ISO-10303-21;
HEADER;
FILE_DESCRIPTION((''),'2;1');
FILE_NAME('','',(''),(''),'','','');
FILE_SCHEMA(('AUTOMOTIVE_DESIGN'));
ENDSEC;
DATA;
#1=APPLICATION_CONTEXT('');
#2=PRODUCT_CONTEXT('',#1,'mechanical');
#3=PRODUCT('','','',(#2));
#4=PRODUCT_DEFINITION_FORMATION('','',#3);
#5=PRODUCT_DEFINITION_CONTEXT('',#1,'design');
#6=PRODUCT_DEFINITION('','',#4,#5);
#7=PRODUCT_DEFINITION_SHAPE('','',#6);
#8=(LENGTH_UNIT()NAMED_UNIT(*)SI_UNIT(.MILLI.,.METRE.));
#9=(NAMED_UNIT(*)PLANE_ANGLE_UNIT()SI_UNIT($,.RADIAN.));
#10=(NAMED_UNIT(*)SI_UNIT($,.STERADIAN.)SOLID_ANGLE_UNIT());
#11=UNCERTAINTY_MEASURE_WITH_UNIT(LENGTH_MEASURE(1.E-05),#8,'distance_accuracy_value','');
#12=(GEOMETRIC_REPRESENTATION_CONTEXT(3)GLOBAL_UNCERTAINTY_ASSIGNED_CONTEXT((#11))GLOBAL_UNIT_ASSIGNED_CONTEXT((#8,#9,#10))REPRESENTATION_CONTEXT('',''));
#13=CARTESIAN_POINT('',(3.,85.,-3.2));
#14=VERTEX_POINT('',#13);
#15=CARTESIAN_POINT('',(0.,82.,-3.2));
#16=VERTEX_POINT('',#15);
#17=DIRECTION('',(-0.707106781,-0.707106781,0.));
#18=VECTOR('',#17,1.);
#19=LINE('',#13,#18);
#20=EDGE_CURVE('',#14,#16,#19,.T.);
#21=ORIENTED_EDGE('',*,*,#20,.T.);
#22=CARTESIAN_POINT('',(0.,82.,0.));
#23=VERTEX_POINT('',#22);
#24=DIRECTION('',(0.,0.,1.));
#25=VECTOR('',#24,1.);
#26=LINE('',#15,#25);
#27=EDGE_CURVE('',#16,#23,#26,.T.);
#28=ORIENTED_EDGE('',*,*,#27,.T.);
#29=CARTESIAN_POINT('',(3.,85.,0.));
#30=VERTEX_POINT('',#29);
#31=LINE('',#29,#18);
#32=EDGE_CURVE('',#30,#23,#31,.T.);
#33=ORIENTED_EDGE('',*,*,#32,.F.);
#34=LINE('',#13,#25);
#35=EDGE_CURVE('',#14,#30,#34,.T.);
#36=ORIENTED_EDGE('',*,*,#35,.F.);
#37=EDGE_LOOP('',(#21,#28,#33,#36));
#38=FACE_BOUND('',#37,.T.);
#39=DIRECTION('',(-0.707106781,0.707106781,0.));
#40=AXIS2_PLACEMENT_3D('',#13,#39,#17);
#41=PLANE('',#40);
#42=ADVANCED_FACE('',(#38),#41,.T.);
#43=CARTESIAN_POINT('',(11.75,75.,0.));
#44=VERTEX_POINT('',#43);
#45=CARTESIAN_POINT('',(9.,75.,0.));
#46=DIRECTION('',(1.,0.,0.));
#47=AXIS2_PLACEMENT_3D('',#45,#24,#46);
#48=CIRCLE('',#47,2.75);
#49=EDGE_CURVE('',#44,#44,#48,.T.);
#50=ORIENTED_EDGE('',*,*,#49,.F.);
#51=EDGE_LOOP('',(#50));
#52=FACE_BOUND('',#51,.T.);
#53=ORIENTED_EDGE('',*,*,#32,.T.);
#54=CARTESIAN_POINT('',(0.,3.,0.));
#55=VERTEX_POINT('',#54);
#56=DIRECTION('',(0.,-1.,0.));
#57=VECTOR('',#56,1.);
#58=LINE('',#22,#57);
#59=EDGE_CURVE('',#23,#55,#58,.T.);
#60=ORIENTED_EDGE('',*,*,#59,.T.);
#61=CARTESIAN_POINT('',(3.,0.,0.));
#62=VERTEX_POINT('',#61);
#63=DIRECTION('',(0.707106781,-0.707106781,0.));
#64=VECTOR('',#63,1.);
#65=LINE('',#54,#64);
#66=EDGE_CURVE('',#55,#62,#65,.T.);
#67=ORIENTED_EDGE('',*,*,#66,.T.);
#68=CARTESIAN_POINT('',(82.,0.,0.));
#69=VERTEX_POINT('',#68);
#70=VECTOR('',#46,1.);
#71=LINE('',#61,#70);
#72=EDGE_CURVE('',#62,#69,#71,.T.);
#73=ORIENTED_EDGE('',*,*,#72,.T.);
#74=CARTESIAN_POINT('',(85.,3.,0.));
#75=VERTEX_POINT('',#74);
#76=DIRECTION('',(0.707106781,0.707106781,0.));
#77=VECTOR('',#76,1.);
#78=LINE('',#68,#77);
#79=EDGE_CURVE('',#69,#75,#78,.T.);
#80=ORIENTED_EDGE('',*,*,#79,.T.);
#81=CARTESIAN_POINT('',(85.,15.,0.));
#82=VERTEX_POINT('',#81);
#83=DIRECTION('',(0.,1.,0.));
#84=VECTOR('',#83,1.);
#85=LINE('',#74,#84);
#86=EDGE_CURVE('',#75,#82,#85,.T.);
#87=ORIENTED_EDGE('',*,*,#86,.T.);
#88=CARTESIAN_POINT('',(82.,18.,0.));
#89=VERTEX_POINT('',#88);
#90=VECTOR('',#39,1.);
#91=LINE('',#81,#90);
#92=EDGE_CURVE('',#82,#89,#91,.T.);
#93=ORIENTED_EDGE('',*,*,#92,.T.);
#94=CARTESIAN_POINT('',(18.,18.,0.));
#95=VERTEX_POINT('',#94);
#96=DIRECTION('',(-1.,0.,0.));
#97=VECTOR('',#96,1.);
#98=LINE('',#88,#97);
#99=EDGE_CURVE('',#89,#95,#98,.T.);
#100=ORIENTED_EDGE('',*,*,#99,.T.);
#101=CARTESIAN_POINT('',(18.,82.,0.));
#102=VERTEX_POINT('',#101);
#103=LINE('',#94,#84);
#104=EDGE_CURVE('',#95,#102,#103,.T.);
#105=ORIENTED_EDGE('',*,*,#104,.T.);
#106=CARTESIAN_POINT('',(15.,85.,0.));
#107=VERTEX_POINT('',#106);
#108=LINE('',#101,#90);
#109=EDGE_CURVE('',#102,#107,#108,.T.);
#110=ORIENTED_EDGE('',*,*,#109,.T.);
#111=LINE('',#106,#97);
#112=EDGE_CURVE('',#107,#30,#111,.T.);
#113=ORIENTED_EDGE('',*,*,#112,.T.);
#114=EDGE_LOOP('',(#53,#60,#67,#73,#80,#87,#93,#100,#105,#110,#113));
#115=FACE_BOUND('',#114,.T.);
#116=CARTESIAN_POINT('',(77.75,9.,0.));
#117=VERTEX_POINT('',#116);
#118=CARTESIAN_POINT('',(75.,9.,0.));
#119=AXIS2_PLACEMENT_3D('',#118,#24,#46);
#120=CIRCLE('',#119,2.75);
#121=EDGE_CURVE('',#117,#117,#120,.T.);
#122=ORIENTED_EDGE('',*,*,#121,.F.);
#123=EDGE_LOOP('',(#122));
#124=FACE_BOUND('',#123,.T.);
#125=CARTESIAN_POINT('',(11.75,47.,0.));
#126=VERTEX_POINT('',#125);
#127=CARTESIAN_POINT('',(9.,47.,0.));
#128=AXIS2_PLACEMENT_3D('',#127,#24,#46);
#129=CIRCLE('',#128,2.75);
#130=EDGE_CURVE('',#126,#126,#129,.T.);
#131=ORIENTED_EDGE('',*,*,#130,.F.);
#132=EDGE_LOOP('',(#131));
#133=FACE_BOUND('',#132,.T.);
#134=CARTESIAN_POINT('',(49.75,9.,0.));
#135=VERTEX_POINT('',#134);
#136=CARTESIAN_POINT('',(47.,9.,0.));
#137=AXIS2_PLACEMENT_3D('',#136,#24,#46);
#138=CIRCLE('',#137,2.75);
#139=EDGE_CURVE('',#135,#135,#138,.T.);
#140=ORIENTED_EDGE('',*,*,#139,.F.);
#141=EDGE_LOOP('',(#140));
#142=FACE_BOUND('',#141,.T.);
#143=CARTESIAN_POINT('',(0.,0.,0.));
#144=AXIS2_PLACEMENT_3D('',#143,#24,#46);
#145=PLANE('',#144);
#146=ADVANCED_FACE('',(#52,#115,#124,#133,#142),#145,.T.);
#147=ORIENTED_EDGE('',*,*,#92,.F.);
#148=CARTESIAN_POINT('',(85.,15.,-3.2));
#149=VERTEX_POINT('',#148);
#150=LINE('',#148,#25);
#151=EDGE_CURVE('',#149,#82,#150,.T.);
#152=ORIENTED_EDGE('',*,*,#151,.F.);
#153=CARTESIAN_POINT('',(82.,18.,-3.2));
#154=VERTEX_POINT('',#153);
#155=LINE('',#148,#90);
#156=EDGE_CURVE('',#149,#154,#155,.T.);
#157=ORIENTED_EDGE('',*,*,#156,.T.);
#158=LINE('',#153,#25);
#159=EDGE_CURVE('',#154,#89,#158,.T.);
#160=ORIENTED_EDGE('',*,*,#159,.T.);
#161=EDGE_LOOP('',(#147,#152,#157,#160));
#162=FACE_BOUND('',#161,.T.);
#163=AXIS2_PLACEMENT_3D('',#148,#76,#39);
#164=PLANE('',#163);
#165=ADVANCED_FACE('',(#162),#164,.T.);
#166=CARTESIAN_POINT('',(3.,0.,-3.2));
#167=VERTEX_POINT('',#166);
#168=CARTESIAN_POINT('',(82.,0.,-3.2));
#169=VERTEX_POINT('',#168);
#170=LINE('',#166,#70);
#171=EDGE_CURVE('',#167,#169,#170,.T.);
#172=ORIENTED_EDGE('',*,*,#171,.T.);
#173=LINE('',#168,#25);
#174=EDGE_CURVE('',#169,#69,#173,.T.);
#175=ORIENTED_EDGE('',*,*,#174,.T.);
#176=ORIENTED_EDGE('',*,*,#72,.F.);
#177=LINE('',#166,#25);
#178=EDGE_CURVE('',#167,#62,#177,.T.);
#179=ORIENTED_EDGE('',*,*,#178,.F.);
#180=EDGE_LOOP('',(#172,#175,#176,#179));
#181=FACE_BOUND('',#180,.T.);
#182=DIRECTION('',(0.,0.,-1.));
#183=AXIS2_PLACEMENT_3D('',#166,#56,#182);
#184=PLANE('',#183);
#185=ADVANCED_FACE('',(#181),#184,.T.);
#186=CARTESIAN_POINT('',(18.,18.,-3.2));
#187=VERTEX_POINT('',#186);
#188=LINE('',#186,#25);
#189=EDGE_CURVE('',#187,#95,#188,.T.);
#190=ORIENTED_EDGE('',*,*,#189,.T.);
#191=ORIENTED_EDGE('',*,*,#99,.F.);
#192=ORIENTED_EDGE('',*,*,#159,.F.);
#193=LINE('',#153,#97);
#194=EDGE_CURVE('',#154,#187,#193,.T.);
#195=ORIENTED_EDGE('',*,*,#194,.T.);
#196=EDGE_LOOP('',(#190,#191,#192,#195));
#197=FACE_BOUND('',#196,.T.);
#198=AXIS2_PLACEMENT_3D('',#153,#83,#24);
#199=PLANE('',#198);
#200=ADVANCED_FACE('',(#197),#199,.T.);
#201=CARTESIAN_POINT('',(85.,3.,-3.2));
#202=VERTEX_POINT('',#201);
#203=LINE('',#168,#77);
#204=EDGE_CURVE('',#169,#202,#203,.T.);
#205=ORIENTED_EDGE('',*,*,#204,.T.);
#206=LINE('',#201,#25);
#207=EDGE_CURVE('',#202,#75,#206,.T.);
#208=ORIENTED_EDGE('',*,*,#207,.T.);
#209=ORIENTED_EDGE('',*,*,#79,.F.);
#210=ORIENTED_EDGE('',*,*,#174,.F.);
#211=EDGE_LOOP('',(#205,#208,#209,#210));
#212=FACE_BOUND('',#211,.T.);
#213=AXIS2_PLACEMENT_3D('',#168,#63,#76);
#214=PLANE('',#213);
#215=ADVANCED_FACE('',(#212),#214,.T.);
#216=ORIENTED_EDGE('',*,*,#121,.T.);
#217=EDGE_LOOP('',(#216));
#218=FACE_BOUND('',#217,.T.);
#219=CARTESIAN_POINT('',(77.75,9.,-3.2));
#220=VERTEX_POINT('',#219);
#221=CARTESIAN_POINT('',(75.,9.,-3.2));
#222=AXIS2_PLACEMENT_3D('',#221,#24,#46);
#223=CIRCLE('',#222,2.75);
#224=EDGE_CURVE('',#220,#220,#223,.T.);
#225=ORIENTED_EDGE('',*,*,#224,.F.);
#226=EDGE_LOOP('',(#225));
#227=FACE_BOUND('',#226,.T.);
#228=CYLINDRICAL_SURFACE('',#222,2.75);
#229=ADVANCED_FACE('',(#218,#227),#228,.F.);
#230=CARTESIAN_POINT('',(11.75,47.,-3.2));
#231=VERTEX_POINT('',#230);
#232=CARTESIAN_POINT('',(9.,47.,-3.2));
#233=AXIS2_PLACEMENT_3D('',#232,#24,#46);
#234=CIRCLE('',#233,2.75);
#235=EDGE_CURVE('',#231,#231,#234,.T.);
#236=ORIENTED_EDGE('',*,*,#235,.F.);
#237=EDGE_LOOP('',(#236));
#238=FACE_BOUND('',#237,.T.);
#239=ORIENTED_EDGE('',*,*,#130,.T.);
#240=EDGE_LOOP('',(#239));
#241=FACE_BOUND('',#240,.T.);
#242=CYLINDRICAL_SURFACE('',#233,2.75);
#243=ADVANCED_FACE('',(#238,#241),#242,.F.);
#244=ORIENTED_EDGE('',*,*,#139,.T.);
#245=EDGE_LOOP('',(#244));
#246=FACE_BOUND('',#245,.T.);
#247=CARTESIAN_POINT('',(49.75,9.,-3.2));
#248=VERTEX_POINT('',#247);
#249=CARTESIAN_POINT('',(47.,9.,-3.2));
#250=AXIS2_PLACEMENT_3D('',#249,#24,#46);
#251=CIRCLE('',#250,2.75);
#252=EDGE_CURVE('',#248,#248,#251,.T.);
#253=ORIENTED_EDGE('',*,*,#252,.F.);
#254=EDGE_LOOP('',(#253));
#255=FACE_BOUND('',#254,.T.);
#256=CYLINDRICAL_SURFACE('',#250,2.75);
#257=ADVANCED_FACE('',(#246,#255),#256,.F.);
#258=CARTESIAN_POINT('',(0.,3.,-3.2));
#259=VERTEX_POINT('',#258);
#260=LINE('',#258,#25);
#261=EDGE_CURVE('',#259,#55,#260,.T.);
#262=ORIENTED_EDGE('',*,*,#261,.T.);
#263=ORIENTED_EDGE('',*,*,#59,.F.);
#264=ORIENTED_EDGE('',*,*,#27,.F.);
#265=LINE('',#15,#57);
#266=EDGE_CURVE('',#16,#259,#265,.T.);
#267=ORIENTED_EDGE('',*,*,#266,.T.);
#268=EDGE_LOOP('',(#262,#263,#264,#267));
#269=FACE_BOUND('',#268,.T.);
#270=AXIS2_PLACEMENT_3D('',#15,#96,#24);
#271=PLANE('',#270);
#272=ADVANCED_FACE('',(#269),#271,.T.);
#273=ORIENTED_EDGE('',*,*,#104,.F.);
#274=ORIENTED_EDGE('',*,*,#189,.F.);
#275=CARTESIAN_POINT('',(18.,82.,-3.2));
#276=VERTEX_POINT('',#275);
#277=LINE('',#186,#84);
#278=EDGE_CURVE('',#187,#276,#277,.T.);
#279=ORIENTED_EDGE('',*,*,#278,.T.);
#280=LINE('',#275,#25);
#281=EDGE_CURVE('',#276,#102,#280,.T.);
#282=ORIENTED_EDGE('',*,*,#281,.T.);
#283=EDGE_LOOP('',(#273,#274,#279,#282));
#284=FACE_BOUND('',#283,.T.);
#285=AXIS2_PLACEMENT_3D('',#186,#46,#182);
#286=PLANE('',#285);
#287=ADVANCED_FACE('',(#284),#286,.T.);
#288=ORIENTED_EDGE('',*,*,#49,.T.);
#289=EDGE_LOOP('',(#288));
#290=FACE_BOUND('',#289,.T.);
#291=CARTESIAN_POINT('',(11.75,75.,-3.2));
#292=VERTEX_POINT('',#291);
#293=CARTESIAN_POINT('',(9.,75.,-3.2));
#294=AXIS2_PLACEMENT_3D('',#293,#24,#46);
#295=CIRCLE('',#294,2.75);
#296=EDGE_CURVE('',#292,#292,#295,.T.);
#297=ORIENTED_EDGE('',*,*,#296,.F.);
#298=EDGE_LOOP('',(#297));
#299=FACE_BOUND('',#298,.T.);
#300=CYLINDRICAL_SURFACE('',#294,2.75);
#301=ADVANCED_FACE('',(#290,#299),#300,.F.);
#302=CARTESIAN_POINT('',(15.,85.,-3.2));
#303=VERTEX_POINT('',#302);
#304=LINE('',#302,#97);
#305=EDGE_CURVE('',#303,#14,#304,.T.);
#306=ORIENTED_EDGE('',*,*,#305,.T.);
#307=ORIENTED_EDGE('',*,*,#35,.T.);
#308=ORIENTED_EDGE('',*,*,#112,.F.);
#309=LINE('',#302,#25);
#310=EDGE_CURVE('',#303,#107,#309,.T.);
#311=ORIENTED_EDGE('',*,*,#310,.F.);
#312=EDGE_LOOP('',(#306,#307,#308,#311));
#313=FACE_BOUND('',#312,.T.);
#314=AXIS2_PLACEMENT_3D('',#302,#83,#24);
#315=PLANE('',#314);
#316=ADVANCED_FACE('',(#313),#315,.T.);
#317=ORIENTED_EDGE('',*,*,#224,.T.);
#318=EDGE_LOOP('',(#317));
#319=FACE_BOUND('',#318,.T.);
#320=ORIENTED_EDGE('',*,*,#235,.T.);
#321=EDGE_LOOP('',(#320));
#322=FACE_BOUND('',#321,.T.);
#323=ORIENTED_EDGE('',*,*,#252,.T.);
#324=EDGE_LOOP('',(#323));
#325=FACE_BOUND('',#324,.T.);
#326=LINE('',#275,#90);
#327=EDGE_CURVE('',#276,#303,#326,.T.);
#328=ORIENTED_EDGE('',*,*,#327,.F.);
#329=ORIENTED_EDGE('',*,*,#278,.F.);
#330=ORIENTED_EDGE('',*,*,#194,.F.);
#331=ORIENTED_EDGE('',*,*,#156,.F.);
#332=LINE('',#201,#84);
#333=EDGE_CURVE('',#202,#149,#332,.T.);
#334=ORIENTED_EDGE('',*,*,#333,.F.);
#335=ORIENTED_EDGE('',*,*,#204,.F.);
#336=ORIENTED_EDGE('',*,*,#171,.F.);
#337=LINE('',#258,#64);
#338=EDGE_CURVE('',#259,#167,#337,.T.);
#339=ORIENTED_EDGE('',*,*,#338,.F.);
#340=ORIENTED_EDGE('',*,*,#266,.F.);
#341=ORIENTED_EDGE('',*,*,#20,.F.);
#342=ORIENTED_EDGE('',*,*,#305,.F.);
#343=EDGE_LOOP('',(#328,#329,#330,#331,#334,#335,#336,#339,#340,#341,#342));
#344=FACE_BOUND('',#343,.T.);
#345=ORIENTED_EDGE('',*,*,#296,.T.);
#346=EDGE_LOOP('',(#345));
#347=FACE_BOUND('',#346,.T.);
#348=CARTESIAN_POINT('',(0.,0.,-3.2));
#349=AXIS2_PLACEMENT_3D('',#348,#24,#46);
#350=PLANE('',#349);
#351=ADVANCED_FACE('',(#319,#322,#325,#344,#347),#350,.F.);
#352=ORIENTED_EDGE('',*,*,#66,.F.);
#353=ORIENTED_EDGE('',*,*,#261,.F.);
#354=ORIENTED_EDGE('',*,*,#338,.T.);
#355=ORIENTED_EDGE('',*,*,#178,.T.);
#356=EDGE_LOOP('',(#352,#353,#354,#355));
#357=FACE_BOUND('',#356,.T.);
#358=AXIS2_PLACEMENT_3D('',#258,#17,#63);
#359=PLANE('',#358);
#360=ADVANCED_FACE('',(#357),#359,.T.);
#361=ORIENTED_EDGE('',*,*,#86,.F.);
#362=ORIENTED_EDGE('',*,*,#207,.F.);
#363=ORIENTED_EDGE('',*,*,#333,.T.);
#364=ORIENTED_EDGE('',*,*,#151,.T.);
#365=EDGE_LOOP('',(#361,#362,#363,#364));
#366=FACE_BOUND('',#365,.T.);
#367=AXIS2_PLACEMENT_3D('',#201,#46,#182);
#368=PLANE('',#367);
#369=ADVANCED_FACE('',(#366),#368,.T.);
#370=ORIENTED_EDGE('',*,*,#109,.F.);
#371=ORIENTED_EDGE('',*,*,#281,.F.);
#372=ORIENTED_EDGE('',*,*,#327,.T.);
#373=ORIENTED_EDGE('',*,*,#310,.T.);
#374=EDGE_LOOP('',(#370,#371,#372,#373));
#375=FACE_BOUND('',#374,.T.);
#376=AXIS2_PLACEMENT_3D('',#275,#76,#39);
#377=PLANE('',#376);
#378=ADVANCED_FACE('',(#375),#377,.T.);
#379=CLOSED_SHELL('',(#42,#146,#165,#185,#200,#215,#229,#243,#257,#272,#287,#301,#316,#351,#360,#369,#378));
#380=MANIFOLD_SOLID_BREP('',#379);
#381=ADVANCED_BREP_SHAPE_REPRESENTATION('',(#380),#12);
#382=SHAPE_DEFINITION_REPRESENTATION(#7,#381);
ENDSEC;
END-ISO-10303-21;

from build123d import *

# Parameters (mm, degrees)
SKETCH1_R           = 2.75
BOSS_EXTRUDE1_DEPTH = 3.2


with BuildPart() as part:
    # Sketch1 → Boss-Extrude1 (new body)
    with BuildSketch(Plane.XY):
        Polygon((0, 82), (0, 3), (3, 0), (82, 0), (85, 3), (85, 15), (82, 18), (18, 18), (18, 82), (15, 85), (3, 85), align=None)
        with Locations((75, 9)):
            Circle(SKETCH1_R, mode=Mode.SUBTRACT)
        with Locations((47, 9)):
            Circle(SKETCH1_R, mode=Mode.SUBTRACT)
        with Locations((9, 47)):
            Circle(SKETCH1_R, mode=Mode.SUBTRACT)
        with Locations((9, 75)):
            Circle(SKETCH1_R, mode=Mode.SUBTRACT)
    extrude(amount=-BOSS_EXTRUDE1_DEPTH)


solid = part.part
